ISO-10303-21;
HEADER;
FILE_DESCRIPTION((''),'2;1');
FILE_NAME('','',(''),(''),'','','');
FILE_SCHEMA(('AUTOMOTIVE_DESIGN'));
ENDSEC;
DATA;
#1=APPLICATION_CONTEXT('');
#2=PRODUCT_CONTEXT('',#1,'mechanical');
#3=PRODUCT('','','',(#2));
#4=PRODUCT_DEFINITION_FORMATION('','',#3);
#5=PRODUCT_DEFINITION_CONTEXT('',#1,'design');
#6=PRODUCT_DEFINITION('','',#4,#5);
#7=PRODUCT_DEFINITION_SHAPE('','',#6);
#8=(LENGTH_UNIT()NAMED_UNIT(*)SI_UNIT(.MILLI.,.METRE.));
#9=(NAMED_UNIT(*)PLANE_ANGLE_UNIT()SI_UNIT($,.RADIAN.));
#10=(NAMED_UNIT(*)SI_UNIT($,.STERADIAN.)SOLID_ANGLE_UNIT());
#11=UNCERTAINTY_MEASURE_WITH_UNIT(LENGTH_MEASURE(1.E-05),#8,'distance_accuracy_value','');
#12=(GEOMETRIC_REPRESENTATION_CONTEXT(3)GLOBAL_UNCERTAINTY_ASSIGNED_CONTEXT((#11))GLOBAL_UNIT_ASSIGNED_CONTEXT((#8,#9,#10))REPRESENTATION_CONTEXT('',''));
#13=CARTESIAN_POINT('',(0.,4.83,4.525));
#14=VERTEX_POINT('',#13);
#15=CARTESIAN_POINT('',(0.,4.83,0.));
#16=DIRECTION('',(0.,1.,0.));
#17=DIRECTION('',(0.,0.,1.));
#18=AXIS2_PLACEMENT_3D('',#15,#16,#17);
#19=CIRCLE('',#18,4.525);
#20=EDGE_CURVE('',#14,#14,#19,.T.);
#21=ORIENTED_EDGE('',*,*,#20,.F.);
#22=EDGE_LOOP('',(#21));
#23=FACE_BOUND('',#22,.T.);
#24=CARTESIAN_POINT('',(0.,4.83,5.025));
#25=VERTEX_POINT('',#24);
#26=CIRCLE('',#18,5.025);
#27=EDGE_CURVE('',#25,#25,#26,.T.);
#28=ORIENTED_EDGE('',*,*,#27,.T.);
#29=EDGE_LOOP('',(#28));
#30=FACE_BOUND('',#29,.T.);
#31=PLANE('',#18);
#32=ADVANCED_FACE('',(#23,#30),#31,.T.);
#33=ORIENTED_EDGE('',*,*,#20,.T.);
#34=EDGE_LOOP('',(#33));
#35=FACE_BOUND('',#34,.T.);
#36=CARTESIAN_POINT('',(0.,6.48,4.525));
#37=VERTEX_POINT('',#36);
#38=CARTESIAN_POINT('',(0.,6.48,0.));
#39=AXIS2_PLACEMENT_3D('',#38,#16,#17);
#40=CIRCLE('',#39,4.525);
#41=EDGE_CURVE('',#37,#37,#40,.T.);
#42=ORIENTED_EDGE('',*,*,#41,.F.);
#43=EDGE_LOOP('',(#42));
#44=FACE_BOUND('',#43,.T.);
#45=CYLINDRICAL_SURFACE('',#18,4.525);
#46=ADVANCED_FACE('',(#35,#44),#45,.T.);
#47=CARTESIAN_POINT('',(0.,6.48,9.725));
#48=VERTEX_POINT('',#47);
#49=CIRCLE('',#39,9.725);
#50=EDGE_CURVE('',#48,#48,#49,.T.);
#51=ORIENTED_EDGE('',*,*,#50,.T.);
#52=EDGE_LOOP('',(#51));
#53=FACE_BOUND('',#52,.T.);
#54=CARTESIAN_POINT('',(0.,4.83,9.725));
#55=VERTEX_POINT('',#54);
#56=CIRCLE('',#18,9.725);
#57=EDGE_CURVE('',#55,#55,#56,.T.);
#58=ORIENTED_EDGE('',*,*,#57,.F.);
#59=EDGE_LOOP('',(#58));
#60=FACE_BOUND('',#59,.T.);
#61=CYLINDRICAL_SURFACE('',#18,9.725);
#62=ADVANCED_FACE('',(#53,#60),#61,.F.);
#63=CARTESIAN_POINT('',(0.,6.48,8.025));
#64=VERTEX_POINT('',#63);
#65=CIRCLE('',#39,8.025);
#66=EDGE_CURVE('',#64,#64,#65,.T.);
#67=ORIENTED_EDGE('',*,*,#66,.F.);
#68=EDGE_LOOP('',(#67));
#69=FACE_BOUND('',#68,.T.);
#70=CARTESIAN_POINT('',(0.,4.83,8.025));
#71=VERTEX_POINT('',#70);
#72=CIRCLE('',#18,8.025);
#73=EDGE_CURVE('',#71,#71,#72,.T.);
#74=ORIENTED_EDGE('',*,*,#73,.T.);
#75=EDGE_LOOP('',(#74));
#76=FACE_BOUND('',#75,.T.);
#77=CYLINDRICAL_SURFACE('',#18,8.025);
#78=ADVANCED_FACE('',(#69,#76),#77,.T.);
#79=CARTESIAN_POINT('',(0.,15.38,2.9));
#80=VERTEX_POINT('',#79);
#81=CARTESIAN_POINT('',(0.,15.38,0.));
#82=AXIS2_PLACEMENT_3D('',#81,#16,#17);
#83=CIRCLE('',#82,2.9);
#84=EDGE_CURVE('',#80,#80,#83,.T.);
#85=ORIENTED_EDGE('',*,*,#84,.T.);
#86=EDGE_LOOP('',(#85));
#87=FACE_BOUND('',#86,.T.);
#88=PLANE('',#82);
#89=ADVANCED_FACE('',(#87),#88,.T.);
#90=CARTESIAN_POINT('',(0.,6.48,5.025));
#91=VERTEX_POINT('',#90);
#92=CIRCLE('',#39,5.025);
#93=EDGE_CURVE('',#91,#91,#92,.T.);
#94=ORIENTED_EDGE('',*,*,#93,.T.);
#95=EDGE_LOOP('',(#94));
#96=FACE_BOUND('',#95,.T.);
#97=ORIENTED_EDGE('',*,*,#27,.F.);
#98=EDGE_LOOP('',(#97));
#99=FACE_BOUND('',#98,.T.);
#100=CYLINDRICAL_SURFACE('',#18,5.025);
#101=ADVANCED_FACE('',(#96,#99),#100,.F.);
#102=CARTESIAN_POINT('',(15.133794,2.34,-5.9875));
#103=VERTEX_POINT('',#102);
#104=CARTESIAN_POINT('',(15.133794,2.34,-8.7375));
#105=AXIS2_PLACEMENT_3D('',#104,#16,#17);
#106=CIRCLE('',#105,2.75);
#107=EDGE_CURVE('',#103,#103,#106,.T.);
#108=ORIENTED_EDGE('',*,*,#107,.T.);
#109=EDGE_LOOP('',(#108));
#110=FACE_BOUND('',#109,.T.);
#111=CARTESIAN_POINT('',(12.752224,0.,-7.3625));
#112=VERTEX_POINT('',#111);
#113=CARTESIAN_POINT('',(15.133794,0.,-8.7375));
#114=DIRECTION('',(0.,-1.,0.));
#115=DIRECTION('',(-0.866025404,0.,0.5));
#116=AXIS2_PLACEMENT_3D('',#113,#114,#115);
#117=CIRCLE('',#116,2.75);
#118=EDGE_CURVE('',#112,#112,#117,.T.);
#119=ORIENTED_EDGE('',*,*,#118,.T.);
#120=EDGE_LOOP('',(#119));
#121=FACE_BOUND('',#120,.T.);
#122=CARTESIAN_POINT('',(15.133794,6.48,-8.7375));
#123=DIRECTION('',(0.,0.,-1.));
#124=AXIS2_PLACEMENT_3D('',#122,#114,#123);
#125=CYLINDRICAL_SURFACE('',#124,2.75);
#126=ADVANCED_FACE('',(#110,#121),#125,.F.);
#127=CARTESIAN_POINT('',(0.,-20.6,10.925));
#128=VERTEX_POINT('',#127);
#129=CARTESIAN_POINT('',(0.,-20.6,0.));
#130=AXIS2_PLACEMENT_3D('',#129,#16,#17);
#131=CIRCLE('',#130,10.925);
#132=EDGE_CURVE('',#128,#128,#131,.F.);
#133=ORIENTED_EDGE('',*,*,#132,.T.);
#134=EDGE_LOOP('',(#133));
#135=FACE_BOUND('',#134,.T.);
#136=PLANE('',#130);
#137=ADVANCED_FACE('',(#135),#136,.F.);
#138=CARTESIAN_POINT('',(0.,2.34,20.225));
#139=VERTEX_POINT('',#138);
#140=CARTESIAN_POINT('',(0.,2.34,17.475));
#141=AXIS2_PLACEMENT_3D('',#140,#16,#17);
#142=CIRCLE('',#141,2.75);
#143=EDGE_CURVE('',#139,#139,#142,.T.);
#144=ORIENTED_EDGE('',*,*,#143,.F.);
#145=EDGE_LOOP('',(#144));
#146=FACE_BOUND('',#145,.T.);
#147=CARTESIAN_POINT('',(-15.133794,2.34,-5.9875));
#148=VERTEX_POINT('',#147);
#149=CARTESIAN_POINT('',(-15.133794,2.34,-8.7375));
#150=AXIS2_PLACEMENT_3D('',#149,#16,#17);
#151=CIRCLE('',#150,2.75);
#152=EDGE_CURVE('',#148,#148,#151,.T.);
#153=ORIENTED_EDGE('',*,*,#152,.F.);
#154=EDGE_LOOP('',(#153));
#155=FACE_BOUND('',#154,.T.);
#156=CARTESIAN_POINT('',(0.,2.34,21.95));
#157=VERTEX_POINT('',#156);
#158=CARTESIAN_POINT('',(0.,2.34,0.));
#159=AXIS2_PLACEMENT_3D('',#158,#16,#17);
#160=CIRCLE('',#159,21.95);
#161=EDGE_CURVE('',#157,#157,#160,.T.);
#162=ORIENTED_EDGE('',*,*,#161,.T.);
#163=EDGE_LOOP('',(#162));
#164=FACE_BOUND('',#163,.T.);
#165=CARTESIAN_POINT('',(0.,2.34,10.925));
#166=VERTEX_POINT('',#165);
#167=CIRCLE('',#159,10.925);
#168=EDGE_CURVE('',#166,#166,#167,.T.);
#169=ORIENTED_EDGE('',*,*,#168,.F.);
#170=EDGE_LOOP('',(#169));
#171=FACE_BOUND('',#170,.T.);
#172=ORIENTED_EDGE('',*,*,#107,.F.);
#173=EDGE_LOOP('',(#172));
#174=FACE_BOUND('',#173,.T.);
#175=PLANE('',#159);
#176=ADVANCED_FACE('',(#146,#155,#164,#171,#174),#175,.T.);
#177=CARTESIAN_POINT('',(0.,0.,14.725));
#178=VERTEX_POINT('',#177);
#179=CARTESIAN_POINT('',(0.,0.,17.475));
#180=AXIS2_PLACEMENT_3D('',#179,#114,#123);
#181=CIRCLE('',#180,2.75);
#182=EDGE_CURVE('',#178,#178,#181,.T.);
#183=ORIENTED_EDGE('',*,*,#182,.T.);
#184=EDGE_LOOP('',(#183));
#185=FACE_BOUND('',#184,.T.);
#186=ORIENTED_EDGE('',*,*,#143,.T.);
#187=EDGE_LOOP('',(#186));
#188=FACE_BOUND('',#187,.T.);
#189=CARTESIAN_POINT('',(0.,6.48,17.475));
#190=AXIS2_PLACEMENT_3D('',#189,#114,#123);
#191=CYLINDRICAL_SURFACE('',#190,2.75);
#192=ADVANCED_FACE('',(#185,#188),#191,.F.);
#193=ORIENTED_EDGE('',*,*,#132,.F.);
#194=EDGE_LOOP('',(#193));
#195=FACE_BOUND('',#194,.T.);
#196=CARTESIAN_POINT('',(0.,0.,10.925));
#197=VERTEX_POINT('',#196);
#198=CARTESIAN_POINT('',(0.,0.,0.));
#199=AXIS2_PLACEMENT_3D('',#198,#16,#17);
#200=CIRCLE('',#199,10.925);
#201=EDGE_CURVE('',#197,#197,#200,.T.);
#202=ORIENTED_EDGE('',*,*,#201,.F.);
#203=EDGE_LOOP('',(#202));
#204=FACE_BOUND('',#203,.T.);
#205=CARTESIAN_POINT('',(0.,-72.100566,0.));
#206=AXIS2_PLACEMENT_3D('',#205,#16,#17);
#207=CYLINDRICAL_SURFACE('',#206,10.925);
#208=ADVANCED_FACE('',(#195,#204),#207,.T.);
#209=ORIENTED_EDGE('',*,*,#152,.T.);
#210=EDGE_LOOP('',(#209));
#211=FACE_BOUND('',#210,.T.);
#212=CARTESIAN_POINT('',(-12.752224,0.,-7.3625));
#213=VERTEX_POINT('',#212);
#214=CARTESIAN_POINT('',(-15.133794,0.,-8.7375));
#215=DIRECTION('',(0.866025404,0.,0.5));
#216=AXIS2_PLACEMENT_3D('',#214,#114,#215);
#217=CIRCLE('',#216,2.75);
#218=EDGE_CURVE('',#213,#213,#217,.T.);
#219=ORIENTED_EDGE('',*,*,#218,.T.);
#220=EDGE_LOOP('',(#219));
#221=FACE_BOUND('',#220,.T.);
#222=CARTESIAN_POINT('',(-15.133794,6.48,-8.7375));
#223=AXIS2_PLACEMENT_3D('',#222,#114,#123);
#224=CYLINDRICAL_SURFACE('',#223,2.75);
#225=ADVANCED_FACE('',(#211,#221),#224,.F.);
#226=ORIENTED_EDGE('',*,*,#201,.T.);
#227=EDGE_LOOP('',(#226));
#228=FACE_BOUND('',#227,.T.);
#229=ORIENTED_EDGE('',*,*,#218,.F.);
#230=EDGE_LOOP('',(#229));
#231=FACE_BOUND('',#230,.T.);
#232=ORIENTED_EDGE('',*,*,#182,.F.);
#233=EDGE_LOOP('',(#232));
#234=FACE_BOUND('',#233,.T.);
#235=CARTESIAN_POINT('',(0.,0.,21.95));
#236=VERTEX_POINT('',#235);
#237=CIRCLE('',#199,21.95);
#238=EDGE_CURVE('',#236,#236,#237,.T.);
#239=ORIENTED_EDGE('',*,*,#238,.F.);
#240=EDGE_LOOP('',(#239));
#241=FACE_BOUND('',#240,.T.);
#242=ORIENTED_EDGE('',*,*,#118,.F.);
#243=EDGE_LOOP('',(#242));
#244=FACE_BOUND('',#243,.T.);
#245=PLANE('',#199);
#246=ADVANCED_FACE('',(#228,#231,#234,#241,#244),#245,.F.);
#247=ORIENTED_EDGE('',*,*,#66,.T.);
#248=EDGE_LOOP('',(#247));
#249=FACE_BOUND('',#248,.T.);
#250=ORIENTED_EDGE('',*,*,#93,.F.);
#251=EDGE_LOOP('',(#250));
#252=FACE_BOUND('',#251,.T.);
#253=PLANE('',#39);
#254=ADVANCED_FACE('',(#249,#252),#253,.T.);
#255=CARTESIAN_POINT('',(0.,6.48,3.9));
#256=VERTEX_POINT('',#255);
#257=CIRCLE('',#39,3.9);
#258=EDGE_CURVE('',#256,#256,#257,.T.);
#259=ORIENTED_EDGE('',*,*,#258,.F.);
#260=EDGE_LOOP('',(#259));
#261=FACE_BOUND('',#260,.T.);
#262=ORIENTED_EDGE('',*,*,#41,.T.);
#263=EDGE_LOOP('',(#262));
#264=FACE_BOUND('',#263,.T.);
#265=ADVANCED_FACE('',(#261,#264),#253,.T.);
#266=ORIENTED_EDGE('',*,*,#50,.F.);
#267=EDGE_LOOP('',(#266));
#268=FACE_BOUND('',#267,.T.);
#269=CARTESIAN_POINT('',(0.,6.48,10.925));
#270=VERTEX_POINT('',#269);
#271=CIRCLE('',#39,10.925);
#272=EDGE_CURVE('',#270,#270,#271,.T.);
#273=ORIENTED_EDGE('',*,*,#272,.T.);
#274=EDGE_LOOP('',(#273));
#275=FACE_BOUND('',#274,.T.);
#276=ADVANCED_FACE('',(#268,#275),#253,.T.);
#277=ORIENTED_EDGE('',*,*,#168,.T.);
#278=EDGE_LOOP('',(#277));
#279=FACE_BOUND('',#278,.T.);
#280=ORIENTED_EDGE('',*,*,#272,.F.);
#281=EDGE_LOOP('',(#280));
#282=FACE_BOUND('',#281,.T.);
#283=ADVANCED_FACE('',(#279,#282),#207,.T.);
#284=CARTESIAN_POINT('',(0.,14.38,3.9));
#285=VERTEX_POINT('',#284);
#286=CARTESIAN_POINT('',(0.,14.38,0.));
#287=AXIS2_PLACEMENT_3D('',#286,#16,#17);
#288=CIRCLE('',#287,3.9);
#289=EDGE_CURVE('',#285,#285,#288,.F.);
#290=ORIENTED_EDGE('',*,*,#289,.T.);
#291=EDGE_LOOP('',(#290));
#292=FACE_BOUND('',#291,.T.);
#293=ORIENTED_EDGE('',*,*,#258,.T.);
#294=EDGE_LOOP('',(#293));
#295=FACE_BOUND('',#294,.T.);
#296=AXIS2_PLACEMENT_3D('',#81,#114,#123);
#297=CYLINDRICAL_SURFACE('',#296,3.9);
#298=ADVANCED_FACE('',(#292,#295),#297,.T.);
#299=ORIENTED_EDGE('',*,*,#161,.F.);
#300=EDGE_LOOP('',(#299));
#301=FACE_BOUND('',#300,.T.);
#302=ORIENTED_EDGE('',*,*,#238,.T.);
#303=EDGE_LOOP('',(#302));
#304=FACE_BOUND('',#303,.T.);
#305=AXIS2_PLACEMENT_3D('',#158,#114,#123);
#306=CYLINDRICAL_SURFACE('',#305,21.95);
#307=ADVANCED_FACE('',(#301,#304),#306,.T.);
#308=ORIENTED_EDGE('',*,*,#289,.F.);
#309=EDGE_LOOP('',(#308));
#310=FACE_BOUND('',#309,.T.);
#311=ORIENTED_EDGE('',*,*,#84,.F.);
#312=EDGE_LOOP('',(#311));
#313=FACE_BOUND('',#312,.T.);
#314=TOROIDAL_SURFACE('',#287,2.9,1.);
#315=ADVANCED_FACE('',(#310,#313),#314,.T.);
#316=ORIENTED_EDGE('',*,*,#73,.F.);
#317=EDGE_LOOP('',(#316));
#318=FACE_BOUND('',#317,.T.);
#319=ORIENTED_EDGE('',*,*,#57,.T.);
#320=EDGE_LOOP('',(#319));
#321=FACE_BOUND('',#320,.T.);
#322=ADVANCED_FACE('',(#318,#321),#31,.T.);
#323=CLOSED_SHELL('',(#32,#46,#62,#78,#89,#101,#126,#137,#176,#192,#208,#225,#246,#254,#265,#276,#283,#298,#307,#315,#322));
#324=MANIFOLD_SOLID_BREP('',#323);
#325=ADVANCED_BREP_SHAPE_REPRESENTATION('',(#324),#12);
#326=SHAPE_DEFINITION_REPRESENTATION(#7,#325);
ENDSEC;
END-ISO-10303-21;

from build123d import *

# Parameters (mm, degrees)
SKETCH1_R                = 21.95
BOSS_EXTRUDE1_DEPTH      = 2.34
SKETCH2_R                = 10.925
BOSS_EXTRUDE2_DEPTH      = 4.14
BOSS_EXTRUDE2_DEPTH_BACK = 22.94
SKETCH3_R                = 2.75
CUT_EXTRUDE1_DEPTH       = 7.48
CIRPATTERN1_COUNT        = 3
SKETCH4_R                = 9.725
SKETCH4_R_2              = 8.025
SKETCH4_R_3              = 5.025
SKETCH4_R_4              = 4.525
CUT_EXTRUDE2_DEPTH       = 1.65
SKETCH5_R                = 3.9
BOSS_EXTRUDE3_DEPTH      = 8.9
FILLET1_R                = 1


with BuildPart() as part:
    # Sketch1 → Boss-Extrude1 (new body)
    with BuildSketch(Plane(origin=(0, 0, 0), x_dir=(1, 0, 0), z_dir=(0, 1, 0))):
        Circle(SKETCH1_R)
    extrude(amount=BOSS_EXTRUDE1_DEPTH)

    # Sketch2 → Boss-Extrude2 (add, two sides)
    with BuildSketch(Plane(origin=(0, 2.34, 0), x_dir=(1, 0, 0), z_dir=(0, 1, 0))) as boss_extrude2_sk:
        Circle(SKETCH2_R)
    extrude(amount=BOSS_EXTRUDE2_DEPTH)
    extrude(boss_extrude2_sk.sketch, amount=-BOSS_EXTRUDE2_DEPTH_BACK)

    # Sketch3 → Cut-Extrude1 (cut, through all)
    with BuildSketch(Plane.XZ):
        with Locations((0, 17.475)):
            Circle(SKETCH3_R)
    cut_extrude1 = extrude(amount=-CUT_EXTRUDE1_DEPTH, mode=Mode.SUBTRACT)

    # CirPattern1: Cut-Extrude1 ×3 about axis
    cirpattern1_axis = Axis((0, 0, 0), (0, 1, 0))
    for i in range(1, CIRPATTERN1_COUNT):
        add(cut_extrude1.rotate(cirpattern1_axis, i * 360 / CIRPATTERN1_COUNT), mode=Mode.SUBTRACT)

    # Sketch4 → Cut-Extrude2 (cut)
    with BuildSketch(Plane(origin=(0, 6.48, 0), x_dir=(1, 0, 0), z_dir=(0, 1, 0))):
        Circle(SKETCH4_R)
        Circle(SKETCH4_R_2, mode=Mode.SUBTRACT)
        Circle(SKETCH4_R_3)
        Circle(SKETCH4_R_4, mode=Mode.SUBTRACT)
    extrude(amount=-CUT_EXTRUDE2_DEPTH, mode=Mode.SUBTRACT)

    # Sketch5 → Boss-Extrude3 (add)
    with BuildSketch(Plane(origin=(0, 6.48, 0), x_dir=(1, 0, 0), z_dir=(0, 1, 0))):
        Circle(SKETCH5_R)
    extrude(amount=BOSS_EXTRUDE3_DEPTH)

    # Fillet1
    fillet1_edges = [part.edges().sort_by_distance(p)[0] for p in [
        (-3.9, 15.38, 0),
    ]]
    fillet(fillet1_edges, radius=FILLET1_R)


solid = part.part
